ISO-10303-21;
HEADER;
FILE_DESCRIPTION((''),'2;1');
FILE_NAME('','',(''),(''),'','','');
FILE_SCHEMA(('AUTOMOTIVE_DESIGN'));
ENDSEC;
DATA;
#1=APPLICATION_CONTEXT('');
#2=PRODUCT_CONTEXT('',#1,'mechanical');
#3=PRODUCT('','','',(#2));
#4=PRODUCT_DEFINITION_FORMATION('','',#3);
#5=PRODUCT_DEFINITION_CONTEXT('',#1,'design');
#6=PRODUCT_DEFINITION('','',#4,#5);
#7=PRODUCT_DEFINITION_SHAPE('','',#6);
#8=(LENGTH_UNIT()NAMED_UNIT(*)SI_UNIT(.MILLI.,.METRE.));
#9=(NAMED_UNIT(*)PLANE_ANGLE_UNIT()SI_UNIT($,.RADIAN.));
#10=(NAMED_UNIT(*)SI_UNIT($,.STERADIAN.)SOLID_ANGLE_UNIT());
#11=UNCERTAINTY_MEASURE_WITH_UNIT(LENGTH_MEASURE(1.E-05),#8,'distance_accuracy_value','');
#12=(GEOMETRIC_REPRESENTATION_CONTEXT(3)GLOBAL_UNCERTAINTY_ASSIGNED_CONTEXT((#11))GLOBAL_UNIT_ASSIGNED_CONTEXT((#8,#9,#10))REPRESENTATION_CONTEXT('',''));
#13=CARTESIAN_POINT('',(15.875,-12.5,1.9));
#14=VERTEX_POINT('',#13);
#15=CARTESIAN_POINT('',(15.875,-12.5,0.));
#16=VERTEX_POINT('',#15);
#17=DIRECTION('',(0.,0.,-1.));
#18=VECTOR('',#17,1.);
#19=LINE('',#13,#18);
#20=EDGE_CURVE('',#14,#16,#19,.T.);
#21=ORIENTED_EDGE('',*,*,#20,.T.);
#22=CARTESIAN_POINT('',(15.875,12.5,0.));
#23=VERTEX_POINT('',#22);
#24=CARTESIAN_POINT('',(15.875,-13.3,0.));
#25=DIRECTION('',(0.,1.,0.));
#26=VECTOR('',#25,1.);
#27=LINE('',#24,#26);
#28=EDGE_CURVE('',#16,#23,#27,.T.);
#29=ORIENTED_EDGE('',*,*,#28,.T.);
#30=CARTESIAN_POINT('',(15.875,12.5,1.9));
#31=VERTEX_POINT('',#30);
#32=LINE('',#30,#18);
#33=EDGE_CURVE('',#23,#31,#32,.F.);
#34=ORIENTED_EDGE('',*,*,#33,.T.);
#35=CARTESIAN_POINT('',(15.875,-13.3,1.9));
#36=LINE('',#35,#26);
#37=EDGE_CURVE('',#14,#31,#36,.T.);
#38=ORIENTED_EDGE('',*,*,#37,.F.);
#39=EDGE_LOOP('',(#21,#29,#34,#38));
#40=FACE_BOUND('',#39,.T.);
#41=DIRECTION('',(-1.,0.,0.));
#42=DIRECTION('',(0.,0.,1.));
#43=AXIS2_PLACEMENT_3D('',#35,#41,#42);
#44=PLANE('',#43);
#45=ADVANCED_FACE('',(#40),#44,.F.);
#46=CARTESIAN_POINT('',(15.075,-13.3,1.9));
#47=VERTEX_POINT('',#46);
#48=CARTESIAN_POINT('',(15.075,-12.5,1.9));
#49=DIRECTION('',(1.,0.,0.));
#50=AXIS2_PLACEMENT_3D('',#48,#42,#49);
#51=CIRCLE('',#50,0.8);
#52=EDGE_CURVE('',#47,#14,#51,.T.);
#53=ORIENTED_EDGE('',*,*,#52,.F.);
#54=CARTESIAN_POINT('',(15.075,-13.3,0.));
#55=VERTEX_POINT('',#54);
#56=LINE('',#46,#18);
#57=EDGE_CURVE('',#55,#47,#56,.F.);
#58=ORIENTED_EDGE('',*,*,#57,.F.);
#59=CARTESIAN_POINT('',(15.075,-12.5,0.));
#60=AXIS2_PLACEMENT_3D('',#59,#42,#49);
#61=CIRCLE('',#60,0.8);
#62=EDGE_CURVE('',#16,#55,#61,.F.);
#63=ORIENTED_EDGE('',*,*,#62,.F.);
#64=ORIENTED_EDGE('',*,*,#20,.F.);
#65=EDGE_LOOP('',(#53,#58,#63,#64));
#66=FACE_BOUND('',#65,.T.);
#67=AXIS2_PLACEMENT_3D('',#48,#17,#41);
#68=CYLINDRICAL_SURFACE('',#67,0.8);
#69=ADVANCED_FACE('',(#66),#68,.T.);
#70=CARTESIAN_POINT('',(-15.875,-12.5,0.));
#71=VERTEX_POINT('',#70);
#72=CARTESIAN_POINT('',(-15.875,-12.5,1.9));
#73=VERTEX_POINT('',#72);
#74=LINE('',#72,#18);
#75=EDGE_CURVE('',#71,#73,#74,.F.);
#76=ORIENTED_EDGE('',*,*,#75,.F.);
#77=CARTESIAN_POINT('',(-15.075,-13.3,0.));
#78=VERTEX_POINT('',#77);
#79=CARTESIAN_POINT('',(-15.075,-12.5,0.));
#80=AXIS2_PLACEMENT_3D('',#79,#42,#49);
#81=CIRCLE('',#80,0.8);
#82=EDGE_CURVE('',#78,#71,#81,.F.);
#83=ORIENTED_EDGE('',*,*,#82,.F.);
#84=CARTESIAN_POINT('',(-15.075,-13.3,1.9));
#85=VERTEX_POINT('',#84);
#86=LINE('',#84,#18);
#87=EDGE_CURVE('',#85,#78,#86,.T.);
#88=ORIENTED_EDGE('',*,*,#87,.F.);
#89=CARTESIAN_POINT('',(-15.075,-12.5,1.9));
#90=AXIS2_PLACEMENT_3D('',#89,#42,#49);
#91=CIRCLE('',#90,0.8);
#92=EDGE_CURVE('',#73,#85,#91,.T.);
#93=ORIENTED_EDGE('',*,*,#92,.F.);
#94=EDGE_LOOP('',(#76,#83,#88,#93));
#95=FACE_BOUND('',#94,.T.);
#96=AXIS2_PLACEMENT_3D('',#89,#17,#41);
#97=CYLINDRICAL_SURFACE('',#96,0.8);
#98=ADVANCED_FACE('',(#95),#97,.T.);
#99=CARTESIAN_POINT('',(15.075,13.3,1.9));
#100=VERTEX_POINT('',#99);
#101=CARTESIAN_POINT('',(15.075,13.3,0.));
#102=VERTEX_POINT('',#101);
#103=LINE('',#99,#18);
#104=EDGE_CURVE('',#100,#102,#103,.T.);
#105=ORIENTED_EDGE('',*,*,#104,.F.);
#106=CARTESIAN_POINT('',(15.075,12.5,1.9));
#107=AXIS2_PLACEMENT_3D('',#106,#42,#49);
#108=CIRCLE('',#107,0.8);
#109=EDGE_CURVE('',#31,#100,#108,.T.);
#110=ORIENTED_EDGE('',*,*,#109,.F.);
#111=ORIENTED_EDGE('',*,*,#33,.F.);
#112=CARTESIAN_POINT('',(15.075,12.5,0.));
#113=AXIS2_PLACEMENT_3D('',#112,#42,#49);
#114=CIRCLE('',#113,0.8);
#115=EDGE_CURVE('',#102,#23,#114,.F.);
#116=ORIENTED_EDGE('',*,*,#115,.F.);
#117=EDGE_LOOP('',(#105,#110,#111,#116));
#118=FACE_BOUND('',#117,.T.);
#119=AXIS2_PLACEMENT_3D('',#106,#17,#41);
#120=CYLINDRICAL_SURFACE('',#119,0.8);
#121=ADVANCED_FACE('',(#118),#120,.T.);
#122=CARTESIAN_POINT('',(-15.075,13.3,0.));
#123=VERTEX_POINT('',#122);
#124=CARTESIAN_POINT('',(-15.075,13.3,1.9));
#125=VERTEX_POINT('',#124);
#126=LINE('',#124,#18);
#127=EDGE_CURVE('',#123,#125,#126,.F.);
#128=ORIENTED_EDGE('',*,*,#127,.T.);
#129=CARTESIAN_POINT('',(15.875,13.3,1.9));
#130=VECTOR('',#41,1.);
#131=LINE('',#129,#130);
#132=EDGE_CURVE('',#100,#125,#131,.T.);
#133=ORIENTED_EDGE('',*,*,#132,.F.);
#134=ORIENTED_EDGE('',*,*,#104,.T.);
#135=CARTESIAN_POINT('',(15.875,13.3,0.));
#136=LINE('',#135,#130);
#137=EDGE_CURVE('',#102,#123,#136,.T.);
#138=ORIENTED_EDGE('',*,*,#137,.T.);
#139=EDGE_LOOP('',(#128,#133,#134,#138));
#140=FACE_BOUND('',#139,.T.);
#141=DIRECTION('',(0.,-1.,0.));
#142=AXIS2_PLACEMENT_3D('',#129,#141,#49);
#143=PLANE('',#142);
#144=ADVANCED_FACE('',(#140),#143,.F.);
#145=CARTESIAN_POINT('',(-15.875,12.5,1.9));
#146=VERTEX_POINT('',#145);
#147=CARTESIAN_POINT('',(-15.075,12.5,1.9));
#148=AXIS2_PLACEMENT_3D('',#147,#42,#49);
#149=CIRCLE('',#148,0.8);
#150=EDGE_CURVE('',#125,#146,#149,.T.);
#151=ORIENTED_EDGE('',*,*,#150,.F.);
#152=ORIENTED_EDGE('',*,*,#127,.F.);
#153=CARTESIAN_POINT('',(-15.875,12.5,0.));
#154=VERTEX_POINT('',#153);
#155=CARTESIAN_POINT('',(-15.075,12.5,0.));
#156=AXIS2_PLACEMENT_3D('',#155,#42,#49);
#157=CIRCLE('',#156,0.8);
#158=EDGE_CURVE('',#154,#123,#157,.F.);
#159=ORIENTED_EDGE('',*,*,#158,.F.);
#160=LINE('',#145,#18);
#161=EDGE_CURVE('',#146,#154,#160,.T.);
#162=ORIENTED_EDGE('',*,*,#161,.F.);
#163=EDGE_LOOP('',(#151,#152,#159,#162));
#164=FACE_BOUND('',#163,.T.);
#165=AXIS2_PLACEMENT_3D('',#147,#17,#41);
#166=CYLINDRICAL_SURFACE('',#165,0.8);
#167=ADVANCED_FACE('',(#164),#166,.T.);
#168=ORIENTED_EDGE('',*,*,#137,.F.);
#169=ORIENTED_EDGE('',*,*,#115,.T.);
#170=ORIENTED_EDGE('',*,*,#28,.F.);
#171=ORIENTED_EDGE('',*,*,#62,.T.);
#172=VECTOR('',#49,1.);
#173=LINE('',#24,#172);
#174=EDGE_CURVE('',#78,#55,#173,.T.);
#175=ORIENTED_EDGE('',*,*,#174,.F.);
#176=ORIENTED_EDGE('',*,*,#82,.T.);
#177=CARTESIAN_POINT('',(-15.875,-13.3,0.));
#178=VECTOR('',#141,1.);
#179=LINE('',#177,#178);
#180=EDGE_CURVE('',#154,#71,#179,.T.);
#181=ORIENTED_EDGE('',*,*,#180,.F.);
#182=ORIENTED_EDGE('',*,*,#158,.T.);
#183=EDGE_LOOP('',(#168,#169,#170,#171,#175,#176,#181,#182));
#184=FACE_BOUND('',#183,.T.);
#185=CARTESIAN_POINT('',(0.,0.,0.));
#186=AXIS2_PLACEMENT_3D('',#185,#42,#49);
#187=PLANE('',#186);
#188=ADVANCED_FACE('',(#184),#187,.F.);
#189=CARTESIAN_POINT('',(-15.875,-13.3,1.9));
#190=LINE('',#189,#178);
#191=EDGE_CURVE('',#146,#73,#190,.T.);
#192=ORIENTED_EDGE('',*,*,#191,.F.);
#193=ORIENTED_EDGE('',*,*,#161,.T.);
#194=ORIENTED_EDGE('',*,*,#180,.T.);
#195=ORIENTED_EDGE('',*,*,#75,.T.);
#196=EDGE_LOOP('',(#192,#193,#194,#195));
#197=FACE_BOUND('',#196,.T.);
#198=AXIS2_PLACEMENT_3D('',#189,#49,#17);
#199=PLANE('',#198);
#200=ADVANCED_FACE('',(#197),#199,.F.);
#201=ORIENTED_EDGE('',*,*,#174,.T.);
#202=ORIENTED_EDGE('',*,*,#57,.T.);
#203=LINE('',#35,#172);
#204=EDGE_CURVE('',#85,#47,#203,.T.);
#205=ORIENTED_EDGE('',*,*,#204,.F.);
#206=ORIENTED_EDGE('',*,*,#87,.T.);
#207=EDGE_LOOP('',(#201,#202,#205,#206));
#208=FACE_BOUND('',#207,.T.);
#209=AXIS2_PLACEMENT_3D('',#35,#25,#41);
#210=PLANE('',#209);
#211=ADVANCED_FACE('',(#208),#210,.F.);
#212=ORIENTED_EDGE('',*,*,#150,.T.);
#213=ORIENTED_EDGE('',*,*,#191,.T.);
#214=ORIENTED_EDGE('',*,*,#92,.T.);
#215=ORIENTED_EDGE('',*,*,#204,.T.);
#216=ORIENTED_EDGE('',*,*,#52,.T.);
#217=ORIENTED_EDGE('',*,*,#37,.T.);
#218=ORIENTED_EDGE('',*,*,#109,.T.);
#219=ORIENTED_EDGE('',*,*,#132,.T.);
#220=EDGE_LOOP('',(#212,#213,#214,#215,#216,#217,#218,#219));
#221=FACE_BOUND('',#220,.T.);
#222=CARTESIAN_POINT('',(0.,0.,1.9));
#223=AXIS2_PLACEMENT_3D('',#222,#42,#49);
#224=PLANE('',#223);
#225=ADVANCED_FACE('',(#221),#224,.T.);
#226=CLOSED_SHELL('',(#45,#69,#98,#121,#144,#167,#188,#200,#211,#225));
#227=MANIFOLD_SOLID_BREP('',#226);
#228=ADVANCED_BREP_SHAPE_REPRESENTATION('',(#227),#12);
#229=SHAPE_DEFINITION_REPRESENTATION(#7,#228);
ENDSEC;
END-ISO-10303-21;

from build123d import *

# Parameters (mm, degrees)
SKETCH1_W           = 31.75
SKETCH1_H           = 26.6
BOSS_EXTRUDE1_DEPTH = 1.9
FILLET1_R           = 0.8


with BuildPart() as part:
    # Sketch1 → Boss-Extrude1 (new body)
    with BuildSketch(Plane.XY):
        Rectangle(SKETCH1_W, SKETCH1_H)
    extrude(amount=BOSS_EXTRUDE1_DEPTH)

    # Fillet1
    fillet1_edges = [part.edges().sort_by_distance(p)[0] for p in [
        (-15.875, 13.3, 0.95),
        (15.875, 13.3, 0.95),
        (15.875, -13.3, 0.95),
        (-15.875, -13.3, 0.95),
    ]]
    fillet(fillet1_edges, radius=FILLET1_R)


solid = part.part
